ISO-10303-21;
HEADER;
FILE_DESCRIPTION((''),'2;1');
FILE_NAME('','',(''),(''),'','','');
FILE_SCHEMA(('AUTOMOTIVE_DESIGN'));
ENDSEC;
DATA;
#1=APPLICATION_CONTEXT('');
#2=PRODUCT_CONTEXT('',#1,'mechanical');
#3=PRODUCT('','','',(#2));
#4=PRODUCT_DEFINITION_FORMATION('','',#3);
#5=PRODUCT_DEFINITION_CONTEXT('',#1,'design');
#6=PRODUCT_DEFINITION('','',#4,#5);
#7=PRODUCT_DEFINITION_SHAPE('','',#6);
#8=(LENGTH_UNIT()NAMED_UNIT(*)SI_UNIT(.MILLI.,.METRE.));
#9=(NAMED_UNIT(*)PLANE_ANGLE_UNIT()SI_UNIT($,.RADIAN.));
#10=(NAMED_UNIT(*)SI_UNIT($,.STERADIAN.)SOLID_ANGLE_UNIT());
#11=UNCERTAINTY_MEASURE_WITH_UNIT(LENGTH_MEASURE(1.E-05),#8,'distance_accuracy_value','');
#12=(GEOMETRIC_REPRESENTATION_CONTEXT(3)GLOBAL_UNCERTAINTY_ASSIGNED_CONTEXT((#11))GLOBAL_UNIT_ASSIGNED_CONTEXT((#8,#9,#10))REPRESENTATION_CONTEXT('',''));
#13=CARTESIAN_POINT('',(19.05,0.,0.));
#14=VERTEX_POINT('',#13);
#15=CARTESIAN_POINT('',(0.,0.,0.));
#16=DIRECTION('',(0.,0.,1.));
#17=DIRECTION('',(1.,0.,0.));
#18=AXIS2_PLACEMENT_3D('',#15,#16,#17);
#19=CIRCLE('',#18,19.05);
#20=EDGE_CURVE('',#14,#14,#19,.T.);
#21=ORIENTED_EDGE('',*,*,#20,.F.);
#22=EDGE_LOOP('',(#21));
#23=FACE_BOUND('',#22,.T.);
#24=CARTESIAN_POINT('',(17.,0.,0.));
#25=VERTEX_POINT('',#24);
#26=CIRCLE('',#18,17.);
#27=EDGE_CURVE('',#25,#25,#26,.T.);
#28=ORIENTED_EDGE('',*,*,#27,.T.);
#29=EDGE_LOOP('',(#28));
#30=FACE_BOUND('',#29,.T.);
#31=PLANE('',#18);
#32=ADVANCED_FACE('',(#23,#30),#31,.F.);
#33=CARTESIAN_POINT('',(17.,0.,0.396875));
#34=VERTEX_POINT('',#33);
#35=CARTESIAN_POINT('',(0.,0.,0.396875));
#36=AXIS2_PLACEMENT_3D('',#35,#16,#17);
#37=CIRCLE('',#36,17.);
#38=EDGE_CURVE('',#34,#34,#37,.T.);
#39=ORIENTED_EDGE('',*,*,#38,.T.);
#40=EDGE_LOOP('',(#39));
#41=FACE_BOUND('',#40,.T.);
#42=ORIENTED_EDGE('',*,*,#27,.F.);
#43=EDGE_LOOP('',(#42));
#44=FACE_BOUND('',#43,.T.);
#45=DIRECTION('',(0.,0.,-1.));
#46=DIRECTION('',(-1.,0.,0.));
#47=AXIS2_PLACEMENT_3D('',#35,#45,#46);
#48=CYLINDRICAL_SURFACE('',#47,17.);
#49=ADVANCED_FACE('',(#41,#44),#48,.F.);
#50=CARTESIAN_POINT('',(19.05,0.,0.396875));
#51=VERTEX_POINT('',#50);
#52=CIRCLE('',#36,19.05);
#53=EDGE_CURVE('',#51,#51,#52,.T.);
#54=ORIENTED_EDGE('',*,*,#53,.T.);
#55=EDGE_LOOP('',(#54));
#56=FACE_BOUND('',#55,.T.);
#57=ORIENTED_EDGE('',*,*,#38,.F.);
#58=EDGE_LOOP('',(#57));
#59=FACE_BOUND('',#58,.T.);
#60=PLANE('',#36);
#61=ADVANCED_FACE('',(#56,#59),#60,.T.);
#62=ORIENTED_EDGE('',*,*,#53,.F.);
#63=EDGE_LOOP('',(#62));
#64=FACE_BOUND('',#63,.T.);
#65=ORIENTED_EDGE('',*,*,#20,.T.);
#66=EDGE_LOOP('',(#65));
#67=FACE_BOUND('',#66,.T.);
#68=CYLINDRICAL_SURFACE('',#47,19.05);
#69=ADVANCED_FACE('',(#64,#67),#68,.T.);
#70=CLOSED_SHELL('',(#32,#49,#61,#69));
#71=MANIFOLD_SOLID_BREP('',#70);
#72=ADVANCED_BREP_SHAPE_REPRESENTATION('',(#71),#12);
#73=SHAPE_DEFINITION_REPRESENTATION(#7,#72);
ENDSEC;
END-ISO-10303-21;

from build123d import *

# Parameters (mm, degrees)
SKETCH1_R           = 19.05
SKETCH1_R_2         = 17
BOSS_EXTRUDE1_DEPTH = 0.396875


with BuildPart() as part:
    # Sketch1 → Boss-Extrude1 (new body)
    with BuildSketch(Plane.XY):
        Circle(SKETCH1_R)
        Circle(SKETCH1_R_2, mode=Mode.SUBTRACT)
    extrude(amount=BOSS_EXTRUDE1_DEPTH)


solid = part.part
